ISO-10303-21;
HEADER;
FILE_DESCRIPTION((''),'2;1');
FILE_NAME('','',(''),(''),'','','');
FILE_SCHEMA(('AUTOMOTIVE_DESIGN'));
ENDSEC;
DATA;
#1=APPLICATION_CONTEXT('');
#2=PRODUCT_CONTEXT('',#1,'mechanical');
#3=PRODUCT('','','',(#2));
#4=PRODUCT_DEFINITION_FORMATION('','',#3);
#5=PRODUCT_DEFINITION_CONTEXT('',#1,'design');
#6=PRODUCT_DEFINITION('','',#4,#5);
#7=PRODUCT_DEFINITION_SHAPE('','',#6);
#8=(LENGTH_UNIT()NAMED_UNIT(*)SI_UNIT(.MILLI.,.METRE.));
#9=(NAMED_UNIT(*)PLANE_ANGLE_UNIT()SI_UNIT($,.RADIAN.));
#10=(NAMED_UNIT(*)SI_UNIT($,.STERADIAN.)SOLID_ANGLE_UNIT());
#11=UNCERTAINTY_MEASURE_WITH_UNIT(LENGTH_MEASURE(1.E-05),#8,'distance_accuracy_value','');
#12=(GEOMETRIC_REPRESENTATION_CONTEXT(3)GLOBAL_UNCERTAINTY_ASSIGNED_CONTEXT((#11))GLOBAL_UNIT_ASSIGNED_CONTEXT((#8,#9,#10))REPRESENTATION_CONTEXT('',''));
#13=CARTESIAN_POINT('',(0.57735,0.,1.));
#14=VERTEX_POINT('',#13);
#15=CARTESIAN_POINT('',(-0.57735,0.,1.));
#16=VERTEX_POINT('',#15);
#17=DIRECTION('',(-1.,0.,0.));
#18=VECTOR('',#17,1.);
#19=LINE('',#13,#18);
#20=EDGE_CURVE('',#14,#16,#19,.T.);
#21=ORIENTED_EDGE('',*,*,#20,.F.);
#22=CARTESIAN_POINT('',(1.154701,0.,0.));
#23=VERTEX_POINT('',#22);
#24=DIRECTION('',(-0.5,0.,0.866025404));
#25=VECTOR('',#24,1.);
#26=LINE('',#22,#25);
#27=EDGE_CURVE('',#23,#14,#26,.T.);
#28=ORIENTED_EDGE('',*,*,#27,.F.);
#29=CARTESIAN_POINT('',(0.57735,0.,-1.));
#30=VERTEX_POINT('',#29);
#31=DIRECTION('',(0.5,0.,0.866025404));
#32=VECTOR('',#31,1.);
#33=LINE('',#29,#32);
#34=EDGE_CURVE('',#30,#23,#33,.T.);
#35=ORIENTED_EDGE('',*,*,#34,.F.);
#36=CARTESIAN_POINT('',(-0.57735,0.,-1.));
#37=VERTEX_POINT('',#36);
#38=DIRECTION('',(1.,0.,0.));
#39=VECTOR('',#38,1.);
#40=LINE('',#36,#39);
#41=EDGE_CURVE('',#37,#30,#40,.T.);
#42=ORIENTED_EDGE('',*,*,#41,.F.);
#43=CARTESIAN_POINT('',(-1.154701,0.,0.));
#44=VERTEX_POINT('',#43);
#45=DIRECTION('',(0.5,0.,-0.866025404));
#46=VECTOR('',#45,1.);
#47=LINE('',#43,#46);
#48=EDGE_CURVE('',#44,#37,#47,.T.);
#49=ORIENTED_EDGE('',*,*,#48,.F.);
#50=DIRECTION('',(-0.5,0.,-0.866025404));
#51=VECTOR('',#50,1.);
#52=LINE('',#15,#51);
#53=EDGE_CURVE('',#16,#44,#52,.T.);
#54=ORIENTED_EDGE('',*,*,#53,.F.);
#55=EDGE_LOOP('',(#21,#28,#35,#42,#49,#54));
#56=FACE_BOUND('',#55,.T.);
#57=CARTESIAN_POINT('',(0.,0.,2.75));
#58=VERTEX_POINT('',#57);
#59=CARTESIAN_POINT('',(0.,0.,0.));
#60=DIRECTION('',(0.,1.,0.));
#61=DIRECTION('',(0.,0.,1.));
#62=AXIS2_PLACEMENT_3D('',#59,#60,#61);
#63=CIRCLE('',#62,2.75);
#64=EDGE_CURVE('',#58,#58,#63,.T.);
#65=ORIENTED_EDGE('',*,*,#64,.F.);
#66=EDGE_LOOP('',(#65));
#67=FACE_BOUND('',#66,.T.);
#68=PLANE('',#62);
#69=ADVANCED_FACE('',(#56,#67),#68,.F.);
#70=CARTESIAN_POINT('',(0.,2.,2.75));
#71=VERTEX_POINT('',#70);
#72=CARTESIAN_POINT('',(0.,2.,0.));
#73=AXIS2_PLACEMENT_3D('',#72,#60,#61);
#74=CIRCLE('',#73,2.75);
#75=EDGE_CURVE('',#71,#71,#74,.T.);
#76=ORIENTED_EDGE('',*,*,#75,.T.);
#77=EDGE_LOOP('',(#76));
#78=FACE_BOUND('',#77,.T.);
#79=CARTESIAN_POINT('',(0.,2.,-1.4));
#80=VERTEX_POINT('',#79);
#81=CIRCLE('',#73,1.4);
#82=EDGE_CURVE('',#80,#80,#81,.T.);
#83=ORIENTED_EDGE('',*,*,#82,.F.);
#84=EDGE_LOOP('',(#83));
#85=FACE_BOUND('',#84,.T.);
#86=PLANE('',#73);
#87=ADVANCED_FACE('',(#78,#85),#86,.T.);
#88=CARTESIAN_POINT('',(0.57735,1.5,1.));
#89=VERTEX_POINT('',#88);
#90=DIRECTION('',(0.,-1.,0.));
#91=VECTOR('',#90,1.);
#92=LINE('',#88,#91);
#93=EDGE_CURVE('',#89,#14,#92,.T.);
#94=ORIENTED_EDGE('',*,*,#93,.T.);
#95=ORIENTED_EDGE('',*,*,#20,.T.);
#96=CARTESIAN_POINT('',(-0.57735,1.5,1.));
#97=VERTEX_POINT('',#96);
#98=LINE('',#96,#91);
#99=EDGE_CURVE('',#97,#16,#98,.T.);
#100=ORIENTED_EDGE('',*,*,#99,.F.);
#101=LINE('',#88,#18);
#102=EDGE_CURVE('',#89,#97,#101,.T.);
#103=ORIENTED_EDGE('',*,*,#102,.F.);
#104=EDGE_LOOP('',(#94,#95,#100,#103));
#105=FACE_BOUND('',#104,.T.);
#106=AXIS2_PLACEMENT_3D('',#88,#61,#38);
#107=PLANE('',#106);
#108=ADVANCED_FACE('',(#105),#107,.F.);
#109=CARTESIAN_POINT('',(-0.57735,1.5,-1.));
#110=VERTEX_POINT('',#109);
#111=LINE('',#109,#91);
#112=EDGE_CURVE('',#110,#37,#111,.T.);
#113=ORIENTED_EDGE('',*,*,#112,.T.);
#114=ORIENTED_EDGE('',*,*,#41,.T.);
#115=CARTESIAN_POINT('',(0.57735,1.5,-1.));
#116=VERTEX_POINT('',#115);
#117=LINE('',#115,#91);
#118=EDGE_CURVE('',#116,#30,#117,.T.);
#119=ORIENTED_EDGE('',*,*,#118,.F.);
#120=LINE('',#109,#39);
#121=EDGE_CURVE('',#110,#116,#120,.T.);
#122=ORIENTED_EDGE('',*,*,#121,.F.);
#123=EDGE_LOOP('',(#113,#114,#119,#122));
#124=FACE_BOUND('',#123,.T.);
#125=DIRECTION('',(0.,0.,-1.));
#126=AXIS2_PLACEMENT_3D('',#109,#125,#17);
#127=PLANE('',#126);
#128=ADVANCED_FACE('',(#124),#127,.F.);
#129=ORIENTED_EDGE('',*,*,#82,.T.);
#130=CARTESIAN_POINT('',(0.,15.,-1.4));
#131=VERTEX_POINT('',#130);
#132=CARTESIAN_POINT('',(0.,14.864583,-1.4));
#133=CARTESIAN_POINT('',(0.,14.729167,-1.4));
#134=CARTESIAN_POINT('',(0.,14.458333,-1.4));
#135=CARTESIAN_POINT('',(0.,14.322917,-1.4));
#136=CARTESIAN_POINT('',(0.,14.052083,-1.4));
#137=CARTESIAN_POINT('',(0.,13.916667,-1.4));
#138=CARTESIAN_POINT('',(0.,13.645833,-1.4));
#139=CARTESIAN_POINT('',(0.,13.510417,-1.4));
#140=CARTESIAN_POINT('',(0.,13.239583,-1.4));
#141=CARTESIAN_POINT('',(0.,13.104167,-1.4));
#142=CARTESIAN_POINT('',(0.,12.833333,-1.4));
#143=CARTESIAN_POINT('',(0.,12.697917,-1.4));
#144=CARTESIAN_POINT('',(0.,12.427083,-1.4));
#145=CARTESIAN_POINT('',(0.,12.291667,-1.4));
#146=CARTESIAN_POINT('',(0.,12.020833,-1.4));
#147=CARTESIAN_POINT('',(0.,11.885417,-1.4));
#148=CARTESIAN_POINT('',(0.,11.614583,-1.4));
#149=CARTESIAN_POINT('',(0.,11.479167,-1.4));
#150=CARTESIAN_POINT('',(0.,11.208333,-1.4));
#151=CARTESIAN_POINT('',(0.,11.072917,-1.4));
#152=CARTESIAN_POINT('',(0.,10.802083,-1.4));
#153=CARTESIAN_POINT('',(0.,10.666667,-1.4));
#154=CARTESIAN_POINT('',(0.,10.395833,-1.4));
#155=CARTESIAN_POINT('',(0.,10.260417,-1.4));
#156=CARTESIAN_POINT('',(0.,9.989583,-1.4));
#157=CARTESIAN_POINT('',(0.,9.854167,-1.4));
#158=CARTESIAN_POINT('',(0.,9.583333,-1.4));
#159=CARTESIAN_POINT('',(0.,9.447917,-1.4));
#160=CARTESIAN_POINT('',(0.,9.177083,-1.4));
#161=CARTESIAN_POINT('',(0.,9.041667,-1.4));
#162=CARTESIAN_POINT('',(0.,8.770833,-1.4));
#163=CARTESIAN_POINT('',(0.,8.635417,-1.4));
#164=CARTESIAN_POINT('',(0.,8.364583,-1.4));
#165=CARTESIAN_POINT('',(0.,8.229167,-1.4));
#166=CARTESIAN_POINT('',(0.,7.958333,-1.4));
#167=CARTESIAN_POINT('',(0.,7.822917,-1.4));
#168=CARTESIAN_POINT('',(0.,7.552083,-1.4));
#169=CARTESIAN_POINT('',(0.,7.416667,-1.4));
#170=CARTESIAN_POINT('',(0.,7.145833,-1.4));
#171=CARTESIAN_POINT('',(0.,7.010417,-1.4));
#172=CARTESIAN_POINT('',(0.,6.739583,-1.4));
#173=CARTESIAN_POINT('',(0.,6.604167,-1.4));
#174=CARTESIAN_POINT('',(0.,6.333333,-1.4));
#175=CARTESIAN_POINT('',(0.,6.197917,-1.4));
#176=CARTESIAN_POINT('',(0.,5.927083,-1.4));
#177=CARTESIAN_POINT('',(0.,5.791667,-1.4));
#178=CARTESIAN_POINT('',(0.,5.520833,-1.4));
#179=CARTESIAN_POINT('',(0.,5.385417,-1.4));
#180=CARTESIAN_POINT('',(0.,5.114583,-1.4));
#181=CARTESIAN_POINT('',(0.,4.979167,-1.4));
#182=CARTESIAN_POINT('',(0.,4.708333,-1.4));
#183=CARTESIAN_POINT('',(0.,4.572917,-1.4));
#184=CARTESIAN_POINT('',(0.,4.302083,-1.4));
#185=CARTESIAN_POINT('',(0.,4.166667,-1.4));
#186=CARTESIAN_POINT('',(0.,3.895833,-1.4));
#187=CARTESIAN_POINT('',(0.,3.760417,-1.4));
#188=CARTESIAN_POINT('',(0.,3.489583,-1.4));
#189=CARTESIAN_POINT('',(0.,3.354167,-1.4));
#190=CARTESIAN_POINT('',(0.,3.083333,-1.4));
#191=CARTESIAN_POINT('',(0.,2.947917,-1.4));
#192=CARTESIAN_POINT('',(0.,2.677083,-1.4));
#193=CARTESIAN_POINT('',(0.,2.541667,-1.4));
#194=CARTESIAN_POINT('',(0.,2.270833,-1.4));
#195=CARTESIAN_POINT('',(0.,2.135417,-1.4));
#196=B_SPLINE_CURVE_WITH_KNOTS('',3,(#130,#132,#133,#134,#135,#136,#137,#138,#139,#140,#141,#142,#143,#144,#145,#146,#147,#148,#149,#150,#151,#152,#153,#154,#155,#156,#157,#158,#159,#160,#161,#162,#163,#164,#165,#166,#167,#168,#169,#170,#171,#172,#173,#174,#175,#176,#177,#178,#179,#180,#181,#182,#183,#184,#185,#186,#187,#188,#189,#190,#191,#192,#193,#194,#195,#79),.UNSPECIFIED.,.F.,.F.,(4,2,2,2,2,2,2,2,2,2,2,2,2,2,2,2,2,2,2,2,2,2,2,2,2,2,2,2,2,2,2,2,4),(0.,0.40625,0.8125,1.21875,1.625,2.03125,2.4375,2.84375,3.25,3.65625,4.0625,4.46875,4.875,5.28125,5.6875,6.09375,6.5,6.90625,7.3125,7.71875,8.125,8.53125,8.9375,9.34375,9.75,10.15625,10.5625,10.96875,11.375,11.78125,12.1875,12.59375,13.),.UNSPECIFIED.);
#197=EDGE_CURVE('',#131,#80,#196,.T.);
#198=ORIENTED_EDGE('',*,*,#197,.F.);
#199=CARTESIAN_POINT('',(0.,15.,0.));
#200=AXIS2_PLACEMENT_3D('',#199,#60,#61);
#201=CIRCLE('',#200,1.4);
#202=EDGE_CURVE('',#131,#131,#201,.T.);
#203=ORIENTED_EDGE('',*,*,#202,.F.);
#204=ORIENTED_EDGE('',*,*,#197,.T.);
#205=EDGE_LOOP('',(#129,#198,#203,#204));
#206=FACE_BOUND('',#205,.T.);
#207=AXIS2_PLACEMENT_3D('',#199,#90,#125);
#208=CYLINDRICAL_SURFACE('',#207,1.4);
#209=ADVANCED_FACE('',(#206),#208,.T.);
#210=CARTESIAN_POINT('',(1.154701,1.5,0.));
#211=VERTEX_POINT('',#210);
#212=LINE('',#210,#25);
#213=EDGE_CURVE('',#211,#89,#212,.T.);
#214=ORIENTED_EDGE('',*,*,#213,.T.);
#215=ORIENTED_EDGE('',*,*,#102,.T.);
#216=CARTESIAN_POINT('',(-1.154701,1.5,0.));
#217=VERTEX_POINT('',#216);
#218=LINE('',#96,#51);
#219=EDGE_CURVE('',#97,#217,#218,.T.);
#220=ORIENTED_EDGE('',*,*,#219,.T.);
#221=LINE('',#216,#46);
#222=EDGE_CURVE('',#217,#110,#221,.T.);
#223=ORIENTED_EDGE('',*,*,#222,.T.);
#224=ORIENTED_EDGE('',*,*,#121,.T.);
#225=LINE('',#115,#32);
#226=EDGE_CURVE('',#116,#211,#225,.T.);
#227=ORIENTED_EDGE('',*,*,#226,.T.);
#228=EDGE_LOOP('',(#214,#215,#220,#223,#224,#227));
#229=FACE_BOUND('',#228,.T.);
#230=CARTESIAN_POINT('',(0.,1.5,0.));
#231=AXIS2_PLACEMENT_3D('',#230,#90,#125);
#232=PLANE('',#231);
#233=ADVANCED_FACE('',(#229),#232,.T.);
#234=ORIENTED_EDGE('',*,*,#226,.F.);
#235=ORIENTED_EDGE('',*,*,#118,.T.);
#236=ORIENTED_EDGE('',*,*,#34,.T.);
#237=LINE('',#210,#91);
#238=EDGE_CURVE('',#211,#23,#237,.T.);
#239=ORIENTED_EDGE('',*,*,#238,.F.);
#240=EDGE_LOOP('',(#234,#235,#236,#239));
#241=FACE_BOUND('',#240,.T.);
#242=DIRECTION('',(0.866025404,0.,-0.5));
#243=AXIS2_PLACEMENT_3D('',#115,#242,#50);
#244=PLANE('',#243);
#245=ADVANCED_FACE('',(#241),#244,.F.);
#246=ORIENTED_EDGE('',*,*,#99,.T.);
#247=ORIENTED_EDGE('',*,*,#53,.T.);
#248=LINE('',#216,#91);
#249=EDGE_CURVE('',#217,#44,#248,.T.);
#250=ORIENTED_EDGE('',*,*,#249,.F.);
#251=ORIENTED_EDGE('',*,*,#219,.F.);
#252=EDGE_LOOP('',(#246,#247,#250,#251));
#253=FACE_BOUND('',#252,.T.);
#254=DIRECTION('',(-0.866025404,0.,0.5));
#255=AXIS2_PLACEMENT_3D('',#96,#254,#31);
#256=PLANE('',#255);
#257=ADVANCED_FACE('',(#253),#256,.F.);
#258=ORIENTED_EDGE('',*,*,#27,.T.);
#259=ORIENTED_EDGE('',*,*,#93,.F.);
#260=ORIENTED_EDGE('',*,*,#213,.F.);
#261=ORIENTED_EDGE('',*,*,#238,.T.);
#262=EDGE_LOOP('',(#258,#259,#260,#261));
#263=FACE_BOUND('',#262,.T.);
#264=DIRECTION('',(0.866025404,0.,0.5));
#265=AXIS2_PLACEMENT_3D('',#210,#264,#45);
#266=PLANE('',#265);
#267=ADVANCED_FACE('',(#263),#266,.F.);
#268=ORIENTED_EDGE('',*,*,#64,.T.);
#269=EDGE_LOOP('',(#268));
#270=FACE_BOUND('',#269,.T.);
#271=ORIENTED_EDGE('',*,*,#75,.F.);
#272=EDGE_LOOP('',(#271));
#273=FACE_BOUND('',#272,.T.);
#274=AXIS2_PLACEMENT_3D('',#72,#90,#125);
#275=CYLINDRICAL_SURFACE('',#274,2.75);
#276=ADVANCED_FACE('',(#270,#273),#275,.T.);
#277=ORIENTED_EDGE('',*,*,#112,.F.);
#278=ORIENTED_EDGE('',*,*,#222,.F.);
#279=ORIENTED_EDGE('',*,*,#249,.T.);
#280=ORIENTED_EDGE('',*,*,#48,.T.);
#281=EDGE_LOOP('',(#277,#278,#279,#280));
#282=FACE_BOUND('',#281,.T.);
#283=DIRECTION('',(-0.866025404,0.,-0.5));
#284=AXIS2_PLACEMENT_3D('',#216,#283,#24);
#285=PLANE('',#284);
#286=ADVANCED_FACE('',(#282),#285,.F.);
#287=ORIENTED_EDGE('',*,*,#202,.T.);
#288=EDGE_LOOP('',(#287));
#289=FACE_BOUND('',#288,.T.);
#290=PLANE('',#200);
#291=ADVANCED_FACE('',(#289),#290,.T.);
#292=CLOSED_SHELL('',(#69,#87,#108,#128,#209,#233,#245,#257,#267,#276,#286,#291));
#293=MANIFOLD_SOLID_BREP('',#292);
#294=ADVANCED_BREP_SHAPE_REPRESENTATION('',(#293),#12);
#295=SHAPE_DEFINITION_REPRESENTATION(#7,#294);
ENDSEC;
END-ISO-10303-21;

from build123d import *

# Parameters (mm, degrees)
SKETCH2_R           = 2.75
BOSS_EXTRUDE1_DEPTH = 2
SKETCH3_R           = 1.4
BOSS_EXTRUDE2_DEPTH = 13
CUT_EXTRUDE1_DEPTH  = 1.5


with BuildPart() as part:
    # Sketch2 → Boss-Extrude1 (new body)
    with BuildSketch(Plane(origin=(0, 0, 0), x_dir=(1, 0, 0), z_dir=(0, 1, 0))):
        with Locations(Location((0, 0, 0), (0, 0, 270))):
            Circle(SKETCH2_R)
    extrude(amount=BOSS_EXTRUDE1_DEPTH)

    # Sketch3 → Boss-Extrude2 (add)
    with BuildSketch(Plane(origin=(0, 2, 0), x_dir=(1, 0, 0), z_dir=(0, 1, 0))):
        with Locations(Location((0, 0, 0), (0, 0, 90))):
            Circle(SKETCH3_R)
    extrude(amount=BOSS_EXTRUDE2_DEPTH)

    # Sketch4 → Cut-Extrude1 (cut)
    with BuildSketch(Plane.XZ):
        Polygon((1.154700538, 0), (0.577350269, 1), (-0.577350269, 1), (-1.154700538, 0), (-0.577350269, -1), (0.577350269, -1), align=None)
    extrude(amount=-CUT_EXTRUDE1_DEPTH, mode=Mode.SUBTRACT)


solid = part.part
